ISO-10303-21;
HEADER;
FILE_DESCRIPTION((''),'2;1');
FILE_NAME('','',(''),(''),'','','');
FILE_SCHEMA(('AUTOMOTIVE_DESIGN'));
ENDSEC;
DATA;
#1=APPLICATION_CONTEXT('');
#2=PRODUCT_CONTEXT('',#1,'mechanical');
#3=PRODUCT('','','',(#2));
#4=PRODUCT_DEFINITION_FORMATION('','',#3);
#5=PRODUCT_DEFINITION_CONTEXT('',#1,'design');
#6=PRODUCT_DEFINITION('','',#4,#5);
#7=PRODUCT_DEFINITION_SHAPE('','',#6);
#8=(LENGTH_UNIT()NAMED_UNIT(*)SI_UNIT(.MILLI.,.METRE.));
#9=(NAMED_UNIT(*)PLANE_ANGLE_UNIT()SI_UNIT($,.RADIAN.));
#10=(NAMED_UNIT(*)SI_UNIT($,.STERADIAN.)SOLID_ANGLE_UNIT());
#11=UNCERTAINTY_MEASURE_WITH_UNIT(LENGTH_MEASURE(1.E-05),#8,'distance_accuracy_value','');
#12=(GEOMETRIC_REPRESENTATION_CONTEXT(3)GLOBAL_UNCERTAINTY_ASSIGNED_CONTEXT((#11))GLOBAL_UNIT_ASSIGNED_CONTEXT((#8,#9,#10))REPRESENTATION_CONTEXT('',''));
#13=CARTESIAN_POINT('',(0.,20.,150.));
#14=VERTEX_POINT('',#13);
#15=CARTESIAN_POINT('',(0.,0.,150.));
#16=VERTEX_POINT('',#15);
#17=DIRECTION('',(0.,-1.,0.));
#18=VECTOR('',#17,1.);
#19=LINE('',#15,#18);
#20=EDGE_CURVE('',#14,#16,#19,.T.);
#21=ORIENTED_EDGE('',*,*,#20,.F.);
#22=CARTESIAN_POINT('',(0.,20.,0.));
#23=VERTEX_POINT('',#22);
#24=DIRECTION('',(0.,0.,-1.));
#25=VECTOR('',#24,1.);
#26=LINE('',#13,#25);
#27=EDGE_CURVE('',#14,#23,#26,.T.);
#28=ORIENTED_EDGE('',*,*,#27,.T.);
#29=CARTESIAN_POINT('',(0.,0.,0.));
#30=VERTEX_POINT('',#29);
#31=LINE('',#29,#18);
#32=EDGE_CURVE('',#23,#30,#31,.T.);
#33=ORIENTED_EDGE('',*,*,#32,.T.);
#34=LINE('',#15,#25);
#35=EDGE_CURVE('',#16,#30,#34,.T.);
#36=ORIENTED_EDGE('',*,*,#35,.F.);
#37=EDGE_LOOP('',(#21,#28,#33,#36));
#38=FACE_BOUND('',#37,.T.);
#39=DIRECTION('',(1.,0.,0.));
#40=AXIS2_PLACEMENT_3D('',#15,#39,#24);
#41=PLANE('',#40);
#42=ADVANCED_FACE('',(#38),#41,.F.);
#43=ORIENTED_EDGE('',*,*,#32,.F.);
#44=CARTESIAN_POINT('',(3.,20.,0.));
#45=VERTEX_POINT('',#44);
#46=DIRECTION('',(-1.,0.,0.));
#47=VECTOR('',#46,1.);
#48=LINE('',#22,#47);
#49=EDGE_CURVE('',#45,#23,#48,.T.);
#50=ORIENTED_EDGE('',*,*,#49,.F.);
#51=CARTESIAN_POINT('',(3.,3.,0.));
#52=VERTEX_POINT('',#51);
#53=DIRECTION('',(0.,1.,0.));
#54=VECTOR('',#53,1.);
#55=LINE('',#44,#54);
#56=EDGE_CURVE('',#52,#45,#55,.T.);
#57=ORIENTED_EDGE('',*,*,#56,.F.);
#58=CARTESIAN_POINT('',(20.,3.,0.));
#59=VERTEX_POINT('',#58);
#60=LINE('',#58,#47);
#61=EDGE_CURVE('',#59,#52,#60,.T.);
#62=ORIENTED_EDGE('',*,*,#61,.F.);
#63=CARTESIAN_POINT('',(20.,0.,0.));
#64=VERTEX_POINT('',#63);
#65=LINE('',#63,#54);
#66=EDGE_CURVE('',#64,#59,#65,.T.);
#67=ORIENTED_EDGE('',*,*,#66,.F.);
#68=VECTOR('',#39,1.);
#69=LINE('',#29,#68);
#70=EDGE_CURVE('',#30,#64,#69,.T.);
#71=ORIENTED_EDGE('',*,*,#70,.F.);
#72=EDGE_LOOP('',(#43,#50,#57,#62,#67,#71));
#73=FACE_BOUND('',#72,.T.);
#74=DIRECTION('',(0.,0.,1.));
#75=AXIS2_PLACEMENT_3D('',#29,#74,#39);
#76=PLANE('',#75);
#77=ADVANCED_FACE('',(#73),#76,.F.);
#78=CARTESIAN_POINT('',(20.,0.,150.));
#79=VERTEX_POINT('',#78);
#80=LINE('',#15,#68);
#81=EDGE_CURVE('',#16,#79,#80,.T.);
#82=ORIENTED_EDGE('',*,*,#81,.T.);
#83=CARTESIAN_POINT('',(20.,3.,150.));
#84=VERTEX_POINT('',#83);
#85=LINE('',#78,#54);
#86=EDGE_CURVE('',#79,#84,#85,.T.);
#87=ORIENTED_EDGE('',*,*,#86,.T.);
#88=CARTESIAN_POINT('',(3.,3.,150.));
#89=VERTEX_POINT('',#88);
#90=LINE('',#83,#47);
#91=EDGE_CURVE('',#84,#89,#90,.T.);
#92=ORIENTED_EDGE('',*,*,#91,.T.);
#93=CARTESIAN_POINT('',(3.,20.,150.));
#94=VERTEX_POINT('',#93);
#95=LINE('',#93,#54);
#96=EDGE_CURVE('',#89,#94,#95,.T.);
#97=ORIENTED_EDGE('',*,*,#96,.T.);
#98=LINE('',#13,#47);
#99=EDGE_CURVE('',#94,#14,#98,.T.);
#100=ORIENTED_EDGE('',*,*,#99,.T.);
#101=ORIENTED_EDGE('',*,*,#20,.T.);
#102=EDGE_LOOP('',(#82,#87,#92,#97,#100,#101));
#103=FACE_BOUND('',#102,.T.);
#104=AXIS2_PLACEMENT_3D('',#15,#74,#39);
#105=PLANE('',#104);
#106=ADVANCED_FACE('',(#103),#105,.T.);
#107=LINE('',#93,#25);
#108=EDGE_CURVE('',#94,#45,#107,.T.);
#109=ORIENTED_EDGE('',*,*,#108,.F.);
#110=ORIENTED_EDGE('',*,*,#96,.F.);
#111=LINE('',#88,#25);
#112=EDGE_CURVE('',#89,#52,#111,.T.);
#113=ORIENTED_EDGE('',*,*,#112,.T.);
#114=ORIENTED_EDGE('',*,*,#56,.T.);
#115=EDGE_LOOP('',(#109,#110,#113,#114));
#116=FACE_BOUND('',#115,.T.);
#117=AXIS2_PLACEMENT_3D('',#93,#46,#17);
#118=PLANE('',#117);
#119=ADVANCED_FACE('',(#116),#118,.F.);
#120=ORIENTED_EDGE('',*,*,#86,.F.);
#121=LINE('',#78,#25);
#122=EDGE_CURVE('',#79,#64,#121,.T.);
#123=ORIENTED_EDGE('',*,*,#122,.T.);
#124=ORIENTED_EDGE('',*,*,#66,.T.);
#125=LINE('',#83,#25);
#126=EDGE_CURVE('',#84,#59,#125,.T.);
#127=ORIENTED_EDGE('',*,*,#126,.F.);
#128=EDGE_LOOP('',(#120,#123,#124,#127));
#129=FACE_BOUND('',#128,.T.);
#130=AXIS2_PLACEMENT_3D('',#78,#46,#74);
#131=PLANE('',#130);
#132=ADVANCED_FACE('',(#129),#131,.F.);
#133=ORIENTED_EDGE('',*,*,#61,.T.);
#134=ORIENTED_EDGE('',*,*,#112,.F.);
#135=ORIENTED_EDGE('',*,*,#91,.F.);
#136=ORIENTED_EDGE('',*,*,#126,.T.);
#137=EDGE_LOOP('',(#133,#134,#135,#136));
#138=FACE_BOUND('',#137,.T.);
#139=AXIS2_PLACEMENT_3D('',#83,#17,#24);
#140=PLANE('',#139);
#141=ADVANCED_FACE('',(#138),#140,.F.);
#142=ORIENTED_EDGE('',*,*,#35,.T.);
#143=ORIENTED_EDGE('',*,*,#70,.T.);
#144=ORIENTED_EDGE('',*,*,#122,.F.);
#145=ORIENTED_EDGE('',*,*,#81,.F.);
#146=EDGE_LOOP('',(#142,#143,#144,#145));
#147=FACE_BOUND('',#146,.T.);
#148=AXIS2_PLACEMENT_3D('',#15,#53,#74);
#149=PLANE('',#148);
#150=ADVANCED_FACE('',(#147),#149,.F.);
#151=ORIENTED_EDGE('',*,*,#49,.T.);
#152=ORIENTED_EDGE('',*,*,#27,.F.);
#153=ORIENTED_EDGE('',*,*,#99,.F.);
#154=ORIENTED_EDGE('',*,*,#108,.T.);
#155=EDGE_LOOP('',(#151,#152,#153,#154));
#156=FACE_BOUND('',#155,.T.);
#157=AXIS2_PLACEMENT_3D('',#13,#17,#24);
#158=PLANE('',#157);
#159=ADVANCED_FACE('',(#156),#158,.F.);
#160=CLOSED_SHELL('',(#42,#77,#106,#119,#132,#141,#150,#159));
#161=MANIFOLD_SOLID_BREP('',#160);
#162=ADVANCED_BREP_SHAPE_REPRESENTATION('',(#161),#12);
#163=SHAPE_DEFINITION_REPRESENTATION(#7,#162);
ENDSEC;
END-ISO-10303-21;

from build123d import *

# Parameters (mm, degrees)
BOSS_EXTRUDE1_DEPTH = 150


with BuildPart() as part:
    # Sketch1 → Boss-Extrude1 (new body)
    with BuildSketch(Plane.XY):
        Polygon((0, 0), (20, 0), (20, 3), (3, 3), (3, 20), (0, 20), align=None)
    extrude(amount=BOSS_EXTRUDE1_DEPTH)


solid = part.part
